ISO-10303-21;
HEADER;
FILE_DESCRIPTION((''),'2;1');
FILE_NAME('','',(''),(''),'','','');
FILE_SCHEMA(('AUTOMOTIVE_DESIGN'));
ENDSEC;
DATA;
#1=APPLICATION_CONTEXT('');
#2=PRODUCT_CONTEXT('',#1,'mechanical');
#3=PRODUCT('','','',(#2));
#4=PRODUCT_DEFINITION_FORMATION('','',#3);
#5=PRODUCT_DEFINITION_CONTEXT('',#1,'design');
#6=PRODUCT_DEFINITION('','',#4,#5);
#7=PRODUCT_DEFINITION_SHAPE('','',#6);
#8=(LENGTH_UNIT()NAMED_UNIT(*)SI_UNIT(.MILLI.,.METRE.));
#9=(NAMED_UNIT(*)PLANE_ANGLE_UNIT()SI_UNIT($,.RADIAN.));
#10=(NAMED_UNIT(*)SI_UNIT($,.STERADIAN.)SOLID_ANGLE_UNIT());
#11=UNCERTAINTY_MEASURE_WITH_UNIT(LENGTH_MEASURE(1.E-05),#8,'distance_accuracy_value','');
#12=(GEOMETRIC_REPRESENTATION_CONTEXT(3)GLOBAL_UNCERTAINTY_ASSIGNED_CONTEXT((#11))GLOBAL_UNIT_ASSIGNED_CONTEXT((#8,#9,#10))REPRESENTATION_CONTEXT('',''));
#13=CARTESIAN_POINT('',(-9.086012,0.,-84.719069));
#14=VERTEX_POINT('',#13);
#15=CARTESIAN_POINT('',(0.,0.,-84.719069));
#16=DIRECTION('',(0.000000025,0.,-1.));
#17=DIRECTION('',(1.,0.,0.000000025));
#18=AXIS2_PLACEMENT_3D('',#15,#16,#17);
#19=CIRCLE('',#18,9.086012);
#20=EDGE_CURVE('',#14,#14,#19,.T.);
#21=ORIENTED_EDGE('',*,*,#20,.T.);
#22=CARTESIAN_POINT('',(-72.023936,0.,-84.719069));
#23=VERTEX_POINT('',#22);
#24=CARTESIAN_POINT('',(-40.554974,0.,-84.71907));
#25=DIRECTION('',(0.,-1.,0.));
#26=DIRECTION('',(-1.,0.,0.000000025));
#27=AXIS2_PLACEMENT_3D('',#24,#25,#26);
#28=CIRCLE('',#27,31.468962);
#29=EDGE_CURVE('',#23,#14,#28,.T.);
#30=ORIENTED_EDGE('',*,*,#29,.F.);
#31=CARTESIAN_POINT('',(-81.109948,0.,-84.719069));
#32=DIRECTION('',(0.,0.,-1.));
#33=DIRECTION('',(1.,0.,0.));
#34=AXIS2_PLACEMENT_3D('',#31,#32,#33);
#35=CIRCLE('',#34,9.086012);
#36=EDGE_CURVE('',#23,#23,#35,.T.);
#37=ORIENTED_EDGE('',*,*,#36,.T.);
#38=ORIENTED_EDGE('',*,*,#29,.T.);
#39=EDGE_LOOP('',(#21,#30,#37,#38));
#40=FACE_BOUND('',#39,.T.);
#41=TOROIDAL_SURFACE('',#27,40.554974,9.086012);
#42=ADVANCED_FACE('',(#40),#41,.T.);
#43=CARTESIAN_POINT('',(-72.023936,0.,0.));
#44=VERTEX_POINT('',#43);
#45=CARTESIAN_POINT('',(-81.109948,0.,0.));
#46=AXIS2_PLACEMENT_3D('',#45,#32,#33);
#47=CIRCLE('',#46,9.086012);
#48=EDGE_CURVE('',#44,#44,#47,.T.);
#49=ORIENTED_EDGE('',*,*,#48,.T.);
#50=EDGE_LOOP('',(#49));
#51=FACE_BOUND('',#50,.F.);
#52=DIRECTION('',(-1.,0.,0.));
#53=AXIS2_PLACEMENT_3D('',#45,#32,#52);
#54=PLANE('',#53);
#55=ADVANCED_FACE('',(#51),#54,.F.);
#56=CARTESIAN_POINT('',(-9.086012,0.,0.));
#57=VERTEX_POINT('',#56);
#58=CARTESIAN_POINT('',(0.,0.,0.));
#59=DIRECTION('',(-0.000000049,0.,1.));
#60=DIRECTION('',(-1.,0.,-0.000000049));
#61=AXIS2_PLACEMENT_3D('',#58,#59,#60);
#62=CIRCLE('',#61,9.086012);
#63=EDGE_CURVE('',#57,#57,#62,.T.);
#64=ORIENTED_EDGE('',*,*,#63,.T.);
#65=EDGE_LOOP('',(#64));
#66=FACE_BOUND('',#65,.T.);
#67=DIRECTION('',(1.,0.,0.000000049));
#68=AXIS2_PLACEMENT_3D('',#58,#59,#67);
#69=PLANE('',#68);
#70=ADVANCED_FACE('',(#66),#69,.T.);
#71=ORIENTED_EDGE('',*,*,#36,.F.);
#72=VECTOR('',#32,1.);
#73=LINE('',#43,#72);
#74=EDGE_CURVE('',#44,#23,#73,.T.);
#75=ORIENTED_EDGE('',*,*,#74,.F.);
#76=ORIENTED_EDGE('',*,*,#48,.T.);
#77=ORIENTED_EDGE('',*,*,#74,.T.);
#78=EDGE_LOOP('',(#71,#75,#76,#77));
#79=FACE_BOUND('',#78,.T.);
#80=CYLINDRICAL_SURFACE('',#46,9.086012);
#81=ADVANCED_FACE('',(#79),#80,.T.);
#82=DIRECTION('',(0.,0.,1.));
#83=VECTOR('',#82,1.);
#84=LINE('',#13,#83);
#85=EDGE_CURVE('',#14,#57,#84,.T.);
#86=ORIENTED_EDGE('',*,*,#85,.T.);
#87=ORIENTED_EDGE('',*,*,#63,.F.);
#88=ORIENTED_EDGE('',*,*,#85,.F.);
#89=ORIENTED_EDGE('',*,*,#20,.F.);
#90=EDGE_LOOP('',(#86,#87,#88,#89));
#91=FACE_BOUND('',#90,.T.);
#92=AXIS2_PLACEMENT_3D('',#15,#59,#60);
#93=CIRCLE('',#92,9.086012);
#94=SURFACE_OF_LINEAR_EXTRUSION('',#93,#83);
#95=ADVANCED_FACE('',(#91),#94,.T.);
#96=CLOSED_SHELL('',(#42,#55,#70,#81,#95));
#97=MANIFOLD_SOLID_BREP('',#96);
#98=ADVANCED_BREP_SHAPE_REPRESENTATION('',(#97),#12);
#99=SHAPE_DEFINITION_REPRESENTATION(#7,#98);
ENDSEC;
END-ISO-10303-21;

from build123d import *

# Parameters (mm, degrees)
F2_R = 9.086012


with BuildPart() as f3:
    # F3: sweep along a path in F0
    with BuildLine(Plane.XZ) as f3_path:
        Line((-81.109948, 0), (-81.109948, -84.719069))
        ThreePointArc((-81.109948, -84.719069), (-40.554974, -125.274044), (0, -84.719069))
        Line((0, -84.719069), (0, 0))
    # F2 (on face) → F3 (sweep)
    with BuildSketch(Plane(origin=(0, 0, 0), x_dir=(1, 0, 0), z_dir=(0, 0, -1))):
        with Locations((-81.109948, 0)):
            Circle(F2_R)
    sweep(path=f3_path.line)


solid = f3.part
